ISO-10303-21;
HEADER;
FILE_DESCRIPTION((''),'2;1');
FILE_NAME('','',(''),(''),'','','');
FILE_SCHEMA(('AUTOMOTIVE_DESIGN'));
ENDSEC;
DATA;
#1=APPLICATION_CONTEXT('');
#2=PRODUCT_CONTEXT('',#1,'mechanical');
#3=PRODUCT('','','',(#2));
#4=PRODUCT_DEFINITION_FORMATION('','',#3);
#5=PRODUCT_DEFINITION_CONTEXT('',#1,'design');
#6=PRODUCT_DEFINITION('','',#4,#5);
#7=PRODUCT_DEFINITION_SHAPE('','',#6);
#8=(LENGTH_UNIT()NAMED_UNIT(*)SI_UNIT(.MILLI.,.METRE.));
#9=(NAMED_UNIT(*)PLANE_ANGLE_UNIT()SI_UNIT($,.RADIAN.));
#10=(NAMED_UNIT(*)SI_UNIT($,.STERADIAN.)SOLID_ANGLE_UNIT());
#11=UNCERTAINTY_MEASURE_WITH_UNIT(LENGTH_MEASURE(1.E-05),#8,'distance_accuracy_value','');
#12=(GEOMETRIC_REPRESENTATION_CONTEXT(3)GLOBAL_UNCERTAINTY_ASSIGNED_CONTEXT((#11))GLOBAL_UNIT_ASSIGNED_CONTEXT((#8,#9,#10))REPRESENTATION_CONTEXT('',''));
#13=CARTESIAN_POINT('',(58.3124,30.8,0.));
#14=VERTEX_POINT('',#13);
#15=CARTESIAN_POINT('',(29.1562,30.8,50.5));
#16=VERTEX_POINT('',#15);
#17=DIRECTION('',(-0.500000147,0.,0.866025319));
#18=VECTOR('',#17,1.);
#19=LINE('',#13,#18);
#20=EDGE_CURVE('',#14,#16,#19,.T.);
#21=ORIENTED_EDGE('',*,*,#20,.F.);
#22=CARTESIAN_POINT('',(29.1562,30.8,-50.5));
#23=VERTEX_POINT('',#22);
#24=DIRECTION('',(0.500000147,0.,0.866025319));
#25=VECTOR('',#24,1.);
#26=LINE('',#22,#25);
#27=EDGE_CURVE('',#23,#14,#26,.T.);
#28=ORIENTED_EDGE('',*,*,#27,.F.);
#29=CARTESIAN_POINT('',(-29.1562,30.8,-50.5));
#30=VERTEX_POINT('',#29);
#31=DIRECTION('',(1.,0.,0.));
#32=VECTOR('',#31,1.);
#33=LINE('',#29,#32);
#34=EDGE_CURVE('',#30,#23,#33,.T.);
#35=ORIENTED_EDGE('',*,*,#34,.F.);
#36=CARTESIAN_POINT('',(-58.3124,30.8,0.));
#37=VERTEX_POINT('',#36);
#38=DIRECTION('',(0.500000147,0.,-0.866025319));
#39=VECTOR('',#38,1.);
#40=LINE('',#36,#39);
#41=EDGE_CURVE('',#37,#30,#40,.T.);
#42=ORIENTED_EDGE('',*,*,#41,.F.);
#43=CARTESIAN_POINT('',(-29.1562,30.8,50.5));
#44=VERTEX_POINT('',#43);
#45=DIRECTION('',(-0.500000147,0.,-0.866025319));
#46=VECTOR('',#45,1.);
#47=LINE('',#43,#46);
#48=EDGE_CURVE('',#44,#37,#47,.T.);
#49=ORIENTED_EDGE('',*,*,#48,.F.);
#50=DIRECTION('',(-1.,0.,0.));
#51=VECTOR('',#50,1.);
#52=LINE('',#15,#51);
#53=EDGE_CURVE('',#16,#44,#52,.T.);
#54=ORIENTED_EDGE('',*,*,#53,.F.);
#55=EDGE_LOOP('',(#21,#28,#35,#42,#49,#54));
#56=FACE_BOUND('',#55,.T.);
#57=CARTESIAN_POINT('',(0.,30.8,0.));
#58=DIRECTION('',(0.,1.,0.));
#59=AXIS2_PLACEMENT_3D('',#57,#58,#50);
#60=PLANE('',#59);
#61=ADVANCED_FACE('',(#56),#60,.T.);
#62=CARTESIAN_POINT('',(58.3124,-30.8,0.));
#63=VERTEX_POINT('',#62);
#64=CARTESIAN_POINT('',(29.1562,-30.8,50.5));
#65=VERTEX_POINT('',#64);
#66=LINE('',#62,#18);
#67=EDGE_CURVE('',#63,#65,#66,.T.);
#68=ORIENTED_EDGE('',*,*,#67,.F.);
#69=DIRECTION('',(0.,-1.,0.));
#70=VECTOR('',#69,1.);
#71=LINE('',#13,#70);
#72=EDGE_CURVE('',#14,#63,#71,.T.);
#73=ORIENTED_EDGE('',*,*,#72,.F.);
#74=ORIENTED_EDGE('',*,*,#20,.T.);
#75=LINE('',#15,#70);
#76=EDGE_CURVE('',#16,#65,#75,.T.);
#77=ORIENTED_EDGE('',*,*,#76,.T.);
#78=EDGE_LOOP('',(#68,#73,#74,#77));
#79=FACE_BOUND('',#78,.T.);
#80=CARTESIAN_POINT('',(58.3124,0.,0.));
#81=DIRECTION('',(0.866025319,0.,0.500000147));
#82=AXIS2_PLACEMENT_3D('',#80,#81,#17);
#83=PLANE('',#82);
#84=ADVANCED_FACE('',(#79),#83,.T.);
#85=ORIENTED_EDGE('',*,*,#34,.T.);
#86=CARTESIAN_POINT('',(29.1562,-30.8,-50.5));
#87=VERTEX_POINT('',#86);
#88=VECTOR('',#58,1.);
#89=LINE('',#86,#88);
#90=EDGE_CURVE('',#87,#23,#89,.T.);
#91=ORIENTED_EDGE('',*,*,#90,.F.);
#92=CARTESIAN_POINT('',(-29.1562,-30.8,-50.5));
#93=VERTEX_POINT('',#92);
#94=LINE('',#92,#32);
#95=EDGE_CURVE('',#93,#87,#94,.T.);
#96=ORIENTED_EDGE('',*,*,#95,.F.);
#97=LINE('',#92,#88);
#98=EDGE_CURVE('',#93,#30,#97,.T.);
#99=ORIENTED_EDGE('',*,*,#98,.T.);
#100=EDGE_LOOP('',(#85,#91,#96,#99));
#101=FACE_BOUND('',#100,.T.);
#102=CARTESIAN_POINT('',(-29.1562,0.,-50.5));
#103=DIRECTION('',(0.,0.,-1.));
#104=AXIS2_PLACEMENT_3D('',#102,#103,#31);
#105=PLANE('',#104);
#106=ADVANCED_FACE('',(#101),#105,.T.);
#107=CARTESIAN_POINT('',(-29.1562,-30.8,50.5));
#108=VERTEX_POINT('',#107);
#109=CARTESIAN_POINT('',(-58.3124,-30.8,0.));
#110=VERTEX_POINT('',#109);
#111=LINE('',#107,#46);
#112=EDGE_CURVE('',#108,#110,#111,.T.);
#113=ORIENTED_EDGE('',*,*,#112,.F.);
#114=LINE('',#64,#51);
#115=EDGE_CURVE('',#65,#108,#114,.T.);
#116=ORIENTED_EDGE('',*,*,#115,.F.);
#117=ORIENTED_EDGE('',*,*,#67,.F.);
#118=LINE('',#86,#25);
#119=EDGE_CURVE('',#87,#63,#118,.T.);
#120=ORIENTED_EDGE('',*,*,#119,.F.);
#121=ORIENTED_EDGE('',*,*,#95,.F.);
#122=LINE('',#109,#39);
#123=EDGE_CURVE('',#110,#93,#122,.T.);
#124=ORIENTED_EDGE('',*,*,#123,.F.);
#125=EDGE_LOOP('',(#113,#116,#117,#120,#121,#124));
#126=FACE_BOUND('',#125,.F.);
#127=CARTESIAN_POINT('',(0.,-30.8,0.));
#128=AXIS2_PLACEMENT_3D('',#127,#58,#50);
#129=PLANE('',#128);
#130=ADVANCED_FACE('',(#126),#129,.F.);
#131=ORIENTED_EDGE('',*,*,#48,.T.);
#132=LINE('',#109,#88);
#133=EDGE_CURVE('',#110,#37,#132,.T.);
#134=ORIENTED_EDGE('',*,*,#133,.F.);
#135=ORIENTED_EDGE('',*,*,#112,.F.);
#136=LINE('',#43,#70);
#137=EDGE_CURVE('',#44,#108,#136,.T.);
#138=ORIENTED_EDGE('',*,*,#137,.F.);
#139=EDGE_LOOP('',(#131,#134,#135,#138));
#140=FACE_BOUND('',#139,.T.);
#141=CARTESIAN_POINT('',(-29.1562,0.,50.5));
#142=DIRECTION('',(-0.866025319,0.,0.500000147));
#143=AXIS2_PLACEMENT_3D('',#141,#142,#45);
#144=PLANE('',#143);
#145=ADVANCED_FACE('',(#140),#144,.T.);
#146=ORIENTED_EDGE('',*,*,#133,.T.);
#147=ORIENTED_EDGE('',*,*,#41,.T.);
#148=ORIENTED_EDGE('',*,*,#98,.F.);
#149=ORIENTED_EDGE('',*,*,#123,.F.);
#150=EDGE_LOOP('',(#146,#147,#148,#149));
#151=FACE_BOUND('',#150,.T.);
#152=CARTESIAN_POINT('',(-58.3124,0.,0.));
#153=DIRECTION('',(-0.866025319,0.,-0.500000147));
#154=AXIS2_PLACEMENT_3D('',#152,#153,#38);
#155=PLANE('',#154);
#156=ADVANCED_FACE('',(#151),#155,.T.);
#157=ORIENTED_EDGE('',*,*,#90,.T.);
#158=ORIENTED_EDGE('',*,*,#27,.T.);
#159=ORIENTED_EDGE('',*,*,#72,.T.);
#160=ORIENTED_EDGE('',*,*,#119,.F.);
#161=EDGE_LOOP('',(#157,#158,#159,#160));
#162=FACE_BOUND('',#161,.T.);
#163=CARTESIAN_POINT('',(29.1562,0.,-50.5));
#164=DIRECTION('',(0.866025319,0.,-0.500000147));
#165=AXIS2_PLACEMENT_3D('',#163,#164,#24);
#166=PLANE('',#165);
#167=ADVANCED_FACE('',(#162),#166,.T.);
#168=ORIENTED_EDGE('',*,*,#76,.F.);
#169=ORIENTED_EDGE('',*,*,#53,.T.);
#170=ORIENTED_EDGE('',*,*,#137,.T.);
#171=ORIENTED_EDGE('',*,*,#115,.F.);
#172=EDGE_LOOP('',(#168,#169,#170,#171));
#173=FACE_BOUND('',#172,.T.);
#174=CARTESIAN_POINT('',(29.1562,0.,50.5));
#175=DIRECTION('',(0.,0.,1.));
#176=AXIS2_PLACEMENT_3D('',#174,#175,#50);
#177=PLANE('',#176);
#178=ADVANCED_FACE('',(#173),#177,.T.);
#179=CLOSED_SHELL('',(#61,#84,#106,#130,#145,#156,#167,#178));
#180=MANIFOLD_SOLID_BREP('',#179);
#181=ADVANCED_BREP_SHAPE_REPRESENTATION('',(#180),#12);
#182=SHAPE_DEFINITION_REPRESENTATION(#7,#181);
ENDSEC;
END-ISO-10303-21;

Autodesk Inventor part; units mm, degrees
ref_plane "YZ Plane" through (0, 0, 0) normal (1, 0, 0) x (0, 1, 0)
ref_plane "XZ Plane" through (0, 0, 0) normal (0, 1, 0) x (-1, 0, 0)
ref_plane "XY Plane" through (0, 0, 0) normal (0, 0, 1) x (1, 0, 0)
sketch "Sketch1" plane through (0, 0, 0) normal (0, 1, 0) x (-1, 0, 0)
  line L0 (-29.1562, -50.5) -> (-58.3124, 0)
  line L1 (-58.3124, 0) -> (-29.1562, 50.5)
  line L2 (-29.1562, 50.5) -> (29.1562, 50.5)
  line L3 (29.1562, 50.5) -> (58.3124, 0)
  line L4 (58.3124, 0) -> (29.1562, -50.5)
  line L5 (29.1562, -50.5) -> (-29.1562, -50.5)
  point P0 (0, 0)
  point P1 (0, 0)
  dimension "d0" = 101
extrude "Extrusion1" add sketch "Sketch1" along normal mid plane 61.6
properties part number "Hex_Blues" material "Paper"
